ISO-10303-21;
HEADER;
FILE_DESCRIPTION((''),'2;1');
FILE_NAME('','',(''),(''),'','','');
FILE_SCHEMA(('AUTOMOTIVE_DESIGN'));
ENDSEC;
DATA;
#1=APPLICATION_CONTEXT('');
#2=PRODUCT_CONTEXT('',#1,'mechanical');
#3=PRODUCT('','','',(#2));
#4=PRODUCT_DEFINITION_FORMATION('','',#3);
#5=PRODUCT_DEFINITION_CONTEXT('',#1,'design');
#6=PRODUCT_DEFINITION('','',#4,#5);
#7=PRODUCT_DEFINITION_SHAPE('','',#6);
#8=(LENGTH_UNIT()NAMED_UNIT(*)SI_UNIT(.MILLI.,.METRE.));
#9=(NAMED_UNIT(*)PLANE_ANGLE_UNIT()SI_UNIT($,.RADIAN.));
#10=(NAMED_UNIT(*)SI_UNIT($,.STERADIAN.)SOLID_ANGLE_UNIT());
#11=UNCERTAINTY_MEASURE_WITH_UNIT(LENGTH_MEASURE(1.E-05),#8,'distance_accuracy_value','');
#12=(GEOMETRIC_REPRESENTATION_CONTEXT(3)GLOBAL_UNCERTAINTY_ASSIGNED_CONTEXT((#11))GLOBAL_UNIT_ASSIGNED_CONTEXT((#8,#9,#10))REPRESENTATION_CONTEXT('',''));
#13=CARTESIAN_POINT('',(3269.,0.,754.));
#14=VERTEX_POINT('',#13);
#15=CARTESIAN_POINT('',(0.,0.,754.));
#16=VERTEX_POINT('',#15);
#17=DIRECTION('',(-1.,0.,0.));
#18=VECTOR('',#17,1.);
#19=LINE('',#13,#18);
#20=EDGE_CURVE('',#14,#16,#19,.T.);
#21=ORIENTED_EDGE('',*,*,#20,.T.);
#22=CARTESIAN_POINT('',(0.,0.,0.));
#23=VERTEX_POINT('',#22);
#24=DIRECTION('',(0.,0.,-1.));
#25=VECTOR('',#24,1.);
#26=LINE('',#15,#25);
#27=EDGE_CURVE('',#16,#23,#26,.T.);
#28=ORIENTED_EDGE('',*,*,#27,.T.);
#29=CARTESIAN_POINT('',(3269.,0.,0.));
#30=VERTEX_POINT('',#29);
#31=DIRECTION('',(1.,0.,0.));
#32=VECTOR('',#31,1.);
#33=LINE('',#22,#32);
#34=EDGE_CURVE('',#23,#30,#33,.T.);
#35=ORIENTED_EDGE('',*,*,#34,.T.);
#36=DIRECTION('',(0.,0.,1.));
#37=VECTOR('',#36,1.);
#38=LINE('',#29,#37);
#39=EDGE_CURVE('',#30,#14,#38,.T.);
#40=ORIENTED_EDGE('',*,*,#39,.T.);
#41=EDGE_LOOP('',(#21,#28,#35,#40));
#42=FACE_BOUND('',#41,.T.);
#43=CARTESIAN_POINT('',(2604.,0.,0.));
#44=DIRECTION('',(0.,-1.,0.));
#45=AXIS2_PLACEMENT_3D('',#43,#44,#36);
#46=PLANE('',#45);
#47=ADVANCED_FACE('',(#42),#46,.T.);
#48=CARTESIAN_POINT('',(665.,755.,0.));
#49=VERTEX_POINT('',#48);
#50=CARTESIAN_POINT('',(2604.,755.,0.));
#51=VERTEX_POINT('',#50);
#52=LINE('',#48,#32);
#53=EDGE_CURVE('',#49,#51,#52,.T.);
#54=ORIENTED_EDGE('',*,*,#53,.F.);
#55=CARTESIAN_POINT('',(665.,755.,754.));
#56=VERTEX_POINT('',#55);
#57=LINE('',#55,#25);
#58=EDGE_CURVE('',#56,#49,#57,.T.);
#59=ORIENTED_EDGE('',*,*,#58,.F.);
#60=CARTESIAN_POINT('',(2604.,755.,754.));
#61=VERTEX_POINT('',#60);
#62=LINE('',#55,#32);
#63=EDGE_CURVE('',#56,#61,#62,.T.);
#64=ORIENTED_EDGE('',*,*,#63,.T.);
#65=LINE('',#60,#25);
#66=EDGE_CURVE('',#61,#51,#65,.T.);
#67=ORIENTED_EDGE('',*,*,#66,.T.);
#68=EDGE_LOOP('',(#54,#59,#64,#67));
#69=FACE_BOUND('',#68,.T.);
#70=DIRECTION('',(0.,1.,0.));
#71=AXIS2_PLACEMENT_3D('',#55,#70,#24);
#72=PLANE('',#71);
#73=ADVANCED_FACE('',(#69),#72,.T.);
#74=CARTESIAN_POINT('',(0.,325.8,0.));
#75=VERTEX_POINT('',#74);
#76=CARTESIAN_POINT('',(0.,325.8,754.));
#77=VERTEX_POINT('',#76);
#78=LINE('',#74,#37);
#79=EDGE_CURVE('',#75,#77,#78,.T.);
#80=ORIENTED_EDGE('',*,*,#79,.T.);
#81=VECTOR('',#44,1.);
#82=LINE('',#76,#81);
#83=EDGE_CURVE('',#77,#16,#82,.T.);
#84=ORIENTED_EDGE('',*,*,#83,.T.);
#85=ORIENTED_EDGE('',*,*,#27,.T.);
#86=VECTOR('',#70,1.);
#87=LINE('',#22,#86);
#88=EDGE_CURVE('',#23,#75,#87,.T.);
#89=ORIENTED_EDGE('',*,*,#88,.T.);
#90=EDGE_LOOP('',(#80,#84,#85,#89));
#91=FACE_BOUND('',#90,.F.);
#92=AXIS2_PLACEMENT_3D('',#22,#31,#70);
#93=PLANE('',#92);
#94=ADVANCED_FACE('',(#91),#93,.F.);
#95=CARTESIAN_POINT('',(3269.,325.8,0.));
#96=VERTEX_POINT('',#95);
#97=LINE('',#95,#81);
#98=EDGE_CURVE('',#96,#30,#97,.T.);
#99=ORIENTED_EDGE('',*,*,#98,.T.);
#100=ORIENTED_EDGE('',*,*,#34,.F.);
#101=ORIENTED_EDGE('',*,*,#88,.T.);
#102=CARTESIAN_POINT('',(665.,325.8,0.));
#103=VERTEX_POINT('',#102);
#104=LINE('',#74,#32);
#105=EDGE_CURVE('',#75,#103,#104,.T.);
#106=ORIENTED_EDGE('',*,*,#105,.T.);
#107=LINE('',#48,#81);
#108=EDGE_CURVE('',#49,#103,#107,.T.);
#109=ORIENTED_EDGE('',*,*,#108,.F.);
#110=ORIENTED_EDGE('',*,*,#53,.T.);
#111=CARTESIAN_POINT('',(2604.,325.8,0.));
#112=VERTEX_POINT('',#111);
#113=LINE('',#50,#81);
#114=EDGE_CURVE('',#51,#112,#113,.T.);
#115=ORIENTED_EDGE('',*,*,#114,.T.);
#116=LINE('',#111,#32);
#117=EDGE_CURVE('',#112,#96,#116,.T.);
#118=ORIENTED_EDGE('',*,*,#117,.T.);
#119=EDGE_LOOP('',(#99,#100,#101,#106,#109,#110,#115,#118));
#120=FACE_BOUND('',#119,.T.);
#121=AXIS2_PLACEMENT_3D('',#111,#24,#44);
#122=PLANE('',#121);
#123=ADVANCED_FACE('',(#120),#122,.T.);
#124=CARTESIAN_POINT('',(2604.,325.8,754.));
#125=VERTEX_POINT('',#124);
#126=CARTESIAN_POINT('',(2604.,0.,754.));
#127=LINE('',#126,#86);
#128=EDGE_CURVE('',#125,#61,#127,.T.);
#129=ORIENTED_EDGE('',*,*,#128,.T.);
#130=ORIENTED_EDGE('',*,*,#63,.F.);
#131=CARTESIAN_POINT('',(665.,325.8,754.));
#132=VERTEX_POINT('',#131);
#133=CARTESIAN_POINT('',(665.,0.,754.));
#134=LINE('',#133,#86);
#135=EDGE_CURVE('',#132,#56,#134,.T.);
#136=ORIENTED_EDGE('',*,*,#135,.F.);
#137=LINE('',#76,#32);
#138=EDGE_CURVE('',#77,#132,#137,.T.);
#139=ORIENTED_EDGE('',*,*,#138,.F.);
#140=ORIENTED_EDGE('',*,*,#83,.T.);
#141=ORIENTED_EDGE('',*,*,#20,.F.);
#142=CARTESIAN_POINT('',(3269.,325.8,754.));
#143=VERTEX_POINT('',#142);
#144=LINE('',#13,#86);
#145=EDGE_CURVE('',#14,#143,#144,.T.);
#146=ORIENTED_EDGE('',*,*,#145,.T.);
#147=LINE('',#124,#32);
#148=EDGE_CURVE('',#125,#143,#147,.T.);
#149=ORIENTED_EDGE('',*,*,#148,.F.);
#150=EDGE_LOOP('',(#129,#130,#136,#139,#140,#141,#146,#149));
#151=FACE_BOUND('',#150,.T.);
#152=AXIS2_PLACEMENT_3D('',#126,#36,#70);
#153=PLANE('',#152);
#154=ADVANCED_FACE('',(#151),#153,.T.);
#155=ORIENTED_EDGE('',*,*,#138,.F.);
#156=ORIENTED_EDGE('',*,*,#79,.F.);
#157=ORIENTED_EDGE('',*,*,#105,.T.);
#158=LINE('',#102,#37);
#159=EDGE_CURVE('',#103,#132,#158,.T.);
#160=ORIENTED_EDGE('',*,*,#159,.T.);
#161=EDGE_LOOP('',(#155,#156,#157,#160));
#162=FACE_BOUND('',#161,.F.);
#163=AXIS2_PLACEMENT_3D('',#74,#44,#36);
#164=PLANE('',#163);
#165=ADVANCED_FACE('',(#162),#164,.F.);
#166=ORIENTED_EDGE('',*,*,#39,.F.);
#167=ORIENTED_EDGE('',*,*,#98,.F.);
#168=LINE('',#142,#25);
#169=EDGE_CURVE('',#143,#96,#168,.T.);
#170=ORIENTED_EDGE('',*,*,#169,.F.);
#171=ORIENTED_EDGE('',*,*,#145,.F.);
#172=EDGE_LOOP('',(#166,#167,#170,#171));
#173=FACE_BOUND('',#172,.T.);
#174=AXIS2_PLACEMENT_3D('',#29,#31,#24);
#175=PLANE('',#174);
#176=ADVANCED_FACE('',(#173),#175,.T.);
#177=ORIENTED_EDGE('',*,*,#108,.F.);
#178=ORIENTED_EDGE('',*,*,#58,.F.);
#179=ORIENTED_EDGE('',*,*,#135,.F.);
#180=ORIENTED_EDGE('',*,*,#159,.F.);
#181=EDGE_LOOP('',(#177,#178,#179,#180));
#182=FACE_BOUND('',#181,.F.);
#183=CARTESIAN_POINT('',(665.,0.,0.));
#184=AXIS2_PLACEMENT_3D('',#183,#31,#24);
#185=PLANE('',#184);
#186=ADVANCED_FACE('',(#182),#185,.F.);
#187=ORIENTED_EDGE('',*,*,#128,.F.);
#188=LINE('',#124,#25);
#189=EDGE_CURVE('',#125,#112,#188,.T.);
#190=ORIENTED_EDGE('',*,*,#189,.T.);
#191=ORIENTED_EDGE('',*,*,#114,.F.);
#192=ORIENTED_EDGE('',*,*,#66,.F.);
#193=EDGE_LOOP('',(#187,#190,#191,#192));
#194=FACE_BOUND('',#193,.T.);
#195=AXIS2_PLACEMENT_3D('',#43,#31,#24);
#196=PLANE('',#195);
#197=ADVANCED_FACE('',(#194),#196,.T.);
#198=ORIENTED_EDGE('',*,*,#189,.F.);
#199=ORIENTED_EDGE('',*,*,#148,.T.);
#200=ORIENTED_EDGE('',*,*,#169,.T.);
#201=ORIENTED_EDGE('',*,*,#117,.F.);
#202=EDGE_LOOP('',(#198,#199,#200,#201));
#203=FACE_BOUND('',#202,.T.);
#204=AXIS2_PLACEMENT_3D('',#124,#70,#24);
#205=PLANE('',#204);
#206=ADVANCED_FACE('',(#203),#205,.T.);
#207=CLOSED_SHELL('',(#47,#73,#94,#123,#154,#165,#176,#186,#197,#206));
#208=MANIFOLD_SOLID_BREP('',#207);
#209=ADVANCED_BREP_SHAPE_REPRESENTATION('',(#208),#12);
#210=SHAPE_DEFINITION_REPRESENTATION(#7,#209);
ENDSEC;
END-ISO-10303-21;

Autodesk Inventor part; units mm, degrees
ref_plane "YZ Plane" through (0, 0, 0) normal (1, 0, 0) x (0, 1, 0)
ref_plane "XZ Plane" through (0, 0, 0) normal (0, 1, 0) x (-1, 0, 0)
ref_plane "XY Plane" through (0, 0, 0) normal (0, 0, 1) x (1, 0, 0)
sketch "スケッチ1" plane through (0, 0, 0) normal (1, 0, 0) x (0, 1, 0)
  line L0 (0, 0) -> (325.8, 0)
  line L1 (325.8, 0) -> (325.8, 754)
  line L2 (325.8, 754) -> (0, 754)
  line L3 (0, 754) -> (0, 0)
  dimension "d0" = 325.8
  dimension "d1" = 754
extrude "押し出し1" add sketch "スケッチ1" along normal blind 665
sketch "スケッチ2" plane through (665, 0, 0) normal (1, 0, 0) x (0, 0, -1)
  line L0 (0, 0) -> (-754, 0)
  line L1 (-754, 0) -> (-754, 755)
  line L2 (-754, 755) -> (0, 755)
  line L3 (0, 755) -> (0, 0)
  dimension "d4" = 754
  dimension "d5" = 755
extrude "押し出し2" add sketch "スケッチ2" along normal blind 1939
sketch "スケッチ3" plane through (2604, 0, 0) normal (1, 0, 0) x (0, 0, -1)
  line L0 (0, 0) -> (-754, 0)
  line L1 (-754, 0) -> (-754, 325.8)
  line L2 (-754, 325.8) -> (0, 325.8)
  line L3 (0, 325.8) -> (0, 0)
  dimension "d8" = 754
  dimension "d9" = 325.8
extrude "押し出し3" add sketch "スケッチ3" along normal blind 665
properties part number "cabinet"
